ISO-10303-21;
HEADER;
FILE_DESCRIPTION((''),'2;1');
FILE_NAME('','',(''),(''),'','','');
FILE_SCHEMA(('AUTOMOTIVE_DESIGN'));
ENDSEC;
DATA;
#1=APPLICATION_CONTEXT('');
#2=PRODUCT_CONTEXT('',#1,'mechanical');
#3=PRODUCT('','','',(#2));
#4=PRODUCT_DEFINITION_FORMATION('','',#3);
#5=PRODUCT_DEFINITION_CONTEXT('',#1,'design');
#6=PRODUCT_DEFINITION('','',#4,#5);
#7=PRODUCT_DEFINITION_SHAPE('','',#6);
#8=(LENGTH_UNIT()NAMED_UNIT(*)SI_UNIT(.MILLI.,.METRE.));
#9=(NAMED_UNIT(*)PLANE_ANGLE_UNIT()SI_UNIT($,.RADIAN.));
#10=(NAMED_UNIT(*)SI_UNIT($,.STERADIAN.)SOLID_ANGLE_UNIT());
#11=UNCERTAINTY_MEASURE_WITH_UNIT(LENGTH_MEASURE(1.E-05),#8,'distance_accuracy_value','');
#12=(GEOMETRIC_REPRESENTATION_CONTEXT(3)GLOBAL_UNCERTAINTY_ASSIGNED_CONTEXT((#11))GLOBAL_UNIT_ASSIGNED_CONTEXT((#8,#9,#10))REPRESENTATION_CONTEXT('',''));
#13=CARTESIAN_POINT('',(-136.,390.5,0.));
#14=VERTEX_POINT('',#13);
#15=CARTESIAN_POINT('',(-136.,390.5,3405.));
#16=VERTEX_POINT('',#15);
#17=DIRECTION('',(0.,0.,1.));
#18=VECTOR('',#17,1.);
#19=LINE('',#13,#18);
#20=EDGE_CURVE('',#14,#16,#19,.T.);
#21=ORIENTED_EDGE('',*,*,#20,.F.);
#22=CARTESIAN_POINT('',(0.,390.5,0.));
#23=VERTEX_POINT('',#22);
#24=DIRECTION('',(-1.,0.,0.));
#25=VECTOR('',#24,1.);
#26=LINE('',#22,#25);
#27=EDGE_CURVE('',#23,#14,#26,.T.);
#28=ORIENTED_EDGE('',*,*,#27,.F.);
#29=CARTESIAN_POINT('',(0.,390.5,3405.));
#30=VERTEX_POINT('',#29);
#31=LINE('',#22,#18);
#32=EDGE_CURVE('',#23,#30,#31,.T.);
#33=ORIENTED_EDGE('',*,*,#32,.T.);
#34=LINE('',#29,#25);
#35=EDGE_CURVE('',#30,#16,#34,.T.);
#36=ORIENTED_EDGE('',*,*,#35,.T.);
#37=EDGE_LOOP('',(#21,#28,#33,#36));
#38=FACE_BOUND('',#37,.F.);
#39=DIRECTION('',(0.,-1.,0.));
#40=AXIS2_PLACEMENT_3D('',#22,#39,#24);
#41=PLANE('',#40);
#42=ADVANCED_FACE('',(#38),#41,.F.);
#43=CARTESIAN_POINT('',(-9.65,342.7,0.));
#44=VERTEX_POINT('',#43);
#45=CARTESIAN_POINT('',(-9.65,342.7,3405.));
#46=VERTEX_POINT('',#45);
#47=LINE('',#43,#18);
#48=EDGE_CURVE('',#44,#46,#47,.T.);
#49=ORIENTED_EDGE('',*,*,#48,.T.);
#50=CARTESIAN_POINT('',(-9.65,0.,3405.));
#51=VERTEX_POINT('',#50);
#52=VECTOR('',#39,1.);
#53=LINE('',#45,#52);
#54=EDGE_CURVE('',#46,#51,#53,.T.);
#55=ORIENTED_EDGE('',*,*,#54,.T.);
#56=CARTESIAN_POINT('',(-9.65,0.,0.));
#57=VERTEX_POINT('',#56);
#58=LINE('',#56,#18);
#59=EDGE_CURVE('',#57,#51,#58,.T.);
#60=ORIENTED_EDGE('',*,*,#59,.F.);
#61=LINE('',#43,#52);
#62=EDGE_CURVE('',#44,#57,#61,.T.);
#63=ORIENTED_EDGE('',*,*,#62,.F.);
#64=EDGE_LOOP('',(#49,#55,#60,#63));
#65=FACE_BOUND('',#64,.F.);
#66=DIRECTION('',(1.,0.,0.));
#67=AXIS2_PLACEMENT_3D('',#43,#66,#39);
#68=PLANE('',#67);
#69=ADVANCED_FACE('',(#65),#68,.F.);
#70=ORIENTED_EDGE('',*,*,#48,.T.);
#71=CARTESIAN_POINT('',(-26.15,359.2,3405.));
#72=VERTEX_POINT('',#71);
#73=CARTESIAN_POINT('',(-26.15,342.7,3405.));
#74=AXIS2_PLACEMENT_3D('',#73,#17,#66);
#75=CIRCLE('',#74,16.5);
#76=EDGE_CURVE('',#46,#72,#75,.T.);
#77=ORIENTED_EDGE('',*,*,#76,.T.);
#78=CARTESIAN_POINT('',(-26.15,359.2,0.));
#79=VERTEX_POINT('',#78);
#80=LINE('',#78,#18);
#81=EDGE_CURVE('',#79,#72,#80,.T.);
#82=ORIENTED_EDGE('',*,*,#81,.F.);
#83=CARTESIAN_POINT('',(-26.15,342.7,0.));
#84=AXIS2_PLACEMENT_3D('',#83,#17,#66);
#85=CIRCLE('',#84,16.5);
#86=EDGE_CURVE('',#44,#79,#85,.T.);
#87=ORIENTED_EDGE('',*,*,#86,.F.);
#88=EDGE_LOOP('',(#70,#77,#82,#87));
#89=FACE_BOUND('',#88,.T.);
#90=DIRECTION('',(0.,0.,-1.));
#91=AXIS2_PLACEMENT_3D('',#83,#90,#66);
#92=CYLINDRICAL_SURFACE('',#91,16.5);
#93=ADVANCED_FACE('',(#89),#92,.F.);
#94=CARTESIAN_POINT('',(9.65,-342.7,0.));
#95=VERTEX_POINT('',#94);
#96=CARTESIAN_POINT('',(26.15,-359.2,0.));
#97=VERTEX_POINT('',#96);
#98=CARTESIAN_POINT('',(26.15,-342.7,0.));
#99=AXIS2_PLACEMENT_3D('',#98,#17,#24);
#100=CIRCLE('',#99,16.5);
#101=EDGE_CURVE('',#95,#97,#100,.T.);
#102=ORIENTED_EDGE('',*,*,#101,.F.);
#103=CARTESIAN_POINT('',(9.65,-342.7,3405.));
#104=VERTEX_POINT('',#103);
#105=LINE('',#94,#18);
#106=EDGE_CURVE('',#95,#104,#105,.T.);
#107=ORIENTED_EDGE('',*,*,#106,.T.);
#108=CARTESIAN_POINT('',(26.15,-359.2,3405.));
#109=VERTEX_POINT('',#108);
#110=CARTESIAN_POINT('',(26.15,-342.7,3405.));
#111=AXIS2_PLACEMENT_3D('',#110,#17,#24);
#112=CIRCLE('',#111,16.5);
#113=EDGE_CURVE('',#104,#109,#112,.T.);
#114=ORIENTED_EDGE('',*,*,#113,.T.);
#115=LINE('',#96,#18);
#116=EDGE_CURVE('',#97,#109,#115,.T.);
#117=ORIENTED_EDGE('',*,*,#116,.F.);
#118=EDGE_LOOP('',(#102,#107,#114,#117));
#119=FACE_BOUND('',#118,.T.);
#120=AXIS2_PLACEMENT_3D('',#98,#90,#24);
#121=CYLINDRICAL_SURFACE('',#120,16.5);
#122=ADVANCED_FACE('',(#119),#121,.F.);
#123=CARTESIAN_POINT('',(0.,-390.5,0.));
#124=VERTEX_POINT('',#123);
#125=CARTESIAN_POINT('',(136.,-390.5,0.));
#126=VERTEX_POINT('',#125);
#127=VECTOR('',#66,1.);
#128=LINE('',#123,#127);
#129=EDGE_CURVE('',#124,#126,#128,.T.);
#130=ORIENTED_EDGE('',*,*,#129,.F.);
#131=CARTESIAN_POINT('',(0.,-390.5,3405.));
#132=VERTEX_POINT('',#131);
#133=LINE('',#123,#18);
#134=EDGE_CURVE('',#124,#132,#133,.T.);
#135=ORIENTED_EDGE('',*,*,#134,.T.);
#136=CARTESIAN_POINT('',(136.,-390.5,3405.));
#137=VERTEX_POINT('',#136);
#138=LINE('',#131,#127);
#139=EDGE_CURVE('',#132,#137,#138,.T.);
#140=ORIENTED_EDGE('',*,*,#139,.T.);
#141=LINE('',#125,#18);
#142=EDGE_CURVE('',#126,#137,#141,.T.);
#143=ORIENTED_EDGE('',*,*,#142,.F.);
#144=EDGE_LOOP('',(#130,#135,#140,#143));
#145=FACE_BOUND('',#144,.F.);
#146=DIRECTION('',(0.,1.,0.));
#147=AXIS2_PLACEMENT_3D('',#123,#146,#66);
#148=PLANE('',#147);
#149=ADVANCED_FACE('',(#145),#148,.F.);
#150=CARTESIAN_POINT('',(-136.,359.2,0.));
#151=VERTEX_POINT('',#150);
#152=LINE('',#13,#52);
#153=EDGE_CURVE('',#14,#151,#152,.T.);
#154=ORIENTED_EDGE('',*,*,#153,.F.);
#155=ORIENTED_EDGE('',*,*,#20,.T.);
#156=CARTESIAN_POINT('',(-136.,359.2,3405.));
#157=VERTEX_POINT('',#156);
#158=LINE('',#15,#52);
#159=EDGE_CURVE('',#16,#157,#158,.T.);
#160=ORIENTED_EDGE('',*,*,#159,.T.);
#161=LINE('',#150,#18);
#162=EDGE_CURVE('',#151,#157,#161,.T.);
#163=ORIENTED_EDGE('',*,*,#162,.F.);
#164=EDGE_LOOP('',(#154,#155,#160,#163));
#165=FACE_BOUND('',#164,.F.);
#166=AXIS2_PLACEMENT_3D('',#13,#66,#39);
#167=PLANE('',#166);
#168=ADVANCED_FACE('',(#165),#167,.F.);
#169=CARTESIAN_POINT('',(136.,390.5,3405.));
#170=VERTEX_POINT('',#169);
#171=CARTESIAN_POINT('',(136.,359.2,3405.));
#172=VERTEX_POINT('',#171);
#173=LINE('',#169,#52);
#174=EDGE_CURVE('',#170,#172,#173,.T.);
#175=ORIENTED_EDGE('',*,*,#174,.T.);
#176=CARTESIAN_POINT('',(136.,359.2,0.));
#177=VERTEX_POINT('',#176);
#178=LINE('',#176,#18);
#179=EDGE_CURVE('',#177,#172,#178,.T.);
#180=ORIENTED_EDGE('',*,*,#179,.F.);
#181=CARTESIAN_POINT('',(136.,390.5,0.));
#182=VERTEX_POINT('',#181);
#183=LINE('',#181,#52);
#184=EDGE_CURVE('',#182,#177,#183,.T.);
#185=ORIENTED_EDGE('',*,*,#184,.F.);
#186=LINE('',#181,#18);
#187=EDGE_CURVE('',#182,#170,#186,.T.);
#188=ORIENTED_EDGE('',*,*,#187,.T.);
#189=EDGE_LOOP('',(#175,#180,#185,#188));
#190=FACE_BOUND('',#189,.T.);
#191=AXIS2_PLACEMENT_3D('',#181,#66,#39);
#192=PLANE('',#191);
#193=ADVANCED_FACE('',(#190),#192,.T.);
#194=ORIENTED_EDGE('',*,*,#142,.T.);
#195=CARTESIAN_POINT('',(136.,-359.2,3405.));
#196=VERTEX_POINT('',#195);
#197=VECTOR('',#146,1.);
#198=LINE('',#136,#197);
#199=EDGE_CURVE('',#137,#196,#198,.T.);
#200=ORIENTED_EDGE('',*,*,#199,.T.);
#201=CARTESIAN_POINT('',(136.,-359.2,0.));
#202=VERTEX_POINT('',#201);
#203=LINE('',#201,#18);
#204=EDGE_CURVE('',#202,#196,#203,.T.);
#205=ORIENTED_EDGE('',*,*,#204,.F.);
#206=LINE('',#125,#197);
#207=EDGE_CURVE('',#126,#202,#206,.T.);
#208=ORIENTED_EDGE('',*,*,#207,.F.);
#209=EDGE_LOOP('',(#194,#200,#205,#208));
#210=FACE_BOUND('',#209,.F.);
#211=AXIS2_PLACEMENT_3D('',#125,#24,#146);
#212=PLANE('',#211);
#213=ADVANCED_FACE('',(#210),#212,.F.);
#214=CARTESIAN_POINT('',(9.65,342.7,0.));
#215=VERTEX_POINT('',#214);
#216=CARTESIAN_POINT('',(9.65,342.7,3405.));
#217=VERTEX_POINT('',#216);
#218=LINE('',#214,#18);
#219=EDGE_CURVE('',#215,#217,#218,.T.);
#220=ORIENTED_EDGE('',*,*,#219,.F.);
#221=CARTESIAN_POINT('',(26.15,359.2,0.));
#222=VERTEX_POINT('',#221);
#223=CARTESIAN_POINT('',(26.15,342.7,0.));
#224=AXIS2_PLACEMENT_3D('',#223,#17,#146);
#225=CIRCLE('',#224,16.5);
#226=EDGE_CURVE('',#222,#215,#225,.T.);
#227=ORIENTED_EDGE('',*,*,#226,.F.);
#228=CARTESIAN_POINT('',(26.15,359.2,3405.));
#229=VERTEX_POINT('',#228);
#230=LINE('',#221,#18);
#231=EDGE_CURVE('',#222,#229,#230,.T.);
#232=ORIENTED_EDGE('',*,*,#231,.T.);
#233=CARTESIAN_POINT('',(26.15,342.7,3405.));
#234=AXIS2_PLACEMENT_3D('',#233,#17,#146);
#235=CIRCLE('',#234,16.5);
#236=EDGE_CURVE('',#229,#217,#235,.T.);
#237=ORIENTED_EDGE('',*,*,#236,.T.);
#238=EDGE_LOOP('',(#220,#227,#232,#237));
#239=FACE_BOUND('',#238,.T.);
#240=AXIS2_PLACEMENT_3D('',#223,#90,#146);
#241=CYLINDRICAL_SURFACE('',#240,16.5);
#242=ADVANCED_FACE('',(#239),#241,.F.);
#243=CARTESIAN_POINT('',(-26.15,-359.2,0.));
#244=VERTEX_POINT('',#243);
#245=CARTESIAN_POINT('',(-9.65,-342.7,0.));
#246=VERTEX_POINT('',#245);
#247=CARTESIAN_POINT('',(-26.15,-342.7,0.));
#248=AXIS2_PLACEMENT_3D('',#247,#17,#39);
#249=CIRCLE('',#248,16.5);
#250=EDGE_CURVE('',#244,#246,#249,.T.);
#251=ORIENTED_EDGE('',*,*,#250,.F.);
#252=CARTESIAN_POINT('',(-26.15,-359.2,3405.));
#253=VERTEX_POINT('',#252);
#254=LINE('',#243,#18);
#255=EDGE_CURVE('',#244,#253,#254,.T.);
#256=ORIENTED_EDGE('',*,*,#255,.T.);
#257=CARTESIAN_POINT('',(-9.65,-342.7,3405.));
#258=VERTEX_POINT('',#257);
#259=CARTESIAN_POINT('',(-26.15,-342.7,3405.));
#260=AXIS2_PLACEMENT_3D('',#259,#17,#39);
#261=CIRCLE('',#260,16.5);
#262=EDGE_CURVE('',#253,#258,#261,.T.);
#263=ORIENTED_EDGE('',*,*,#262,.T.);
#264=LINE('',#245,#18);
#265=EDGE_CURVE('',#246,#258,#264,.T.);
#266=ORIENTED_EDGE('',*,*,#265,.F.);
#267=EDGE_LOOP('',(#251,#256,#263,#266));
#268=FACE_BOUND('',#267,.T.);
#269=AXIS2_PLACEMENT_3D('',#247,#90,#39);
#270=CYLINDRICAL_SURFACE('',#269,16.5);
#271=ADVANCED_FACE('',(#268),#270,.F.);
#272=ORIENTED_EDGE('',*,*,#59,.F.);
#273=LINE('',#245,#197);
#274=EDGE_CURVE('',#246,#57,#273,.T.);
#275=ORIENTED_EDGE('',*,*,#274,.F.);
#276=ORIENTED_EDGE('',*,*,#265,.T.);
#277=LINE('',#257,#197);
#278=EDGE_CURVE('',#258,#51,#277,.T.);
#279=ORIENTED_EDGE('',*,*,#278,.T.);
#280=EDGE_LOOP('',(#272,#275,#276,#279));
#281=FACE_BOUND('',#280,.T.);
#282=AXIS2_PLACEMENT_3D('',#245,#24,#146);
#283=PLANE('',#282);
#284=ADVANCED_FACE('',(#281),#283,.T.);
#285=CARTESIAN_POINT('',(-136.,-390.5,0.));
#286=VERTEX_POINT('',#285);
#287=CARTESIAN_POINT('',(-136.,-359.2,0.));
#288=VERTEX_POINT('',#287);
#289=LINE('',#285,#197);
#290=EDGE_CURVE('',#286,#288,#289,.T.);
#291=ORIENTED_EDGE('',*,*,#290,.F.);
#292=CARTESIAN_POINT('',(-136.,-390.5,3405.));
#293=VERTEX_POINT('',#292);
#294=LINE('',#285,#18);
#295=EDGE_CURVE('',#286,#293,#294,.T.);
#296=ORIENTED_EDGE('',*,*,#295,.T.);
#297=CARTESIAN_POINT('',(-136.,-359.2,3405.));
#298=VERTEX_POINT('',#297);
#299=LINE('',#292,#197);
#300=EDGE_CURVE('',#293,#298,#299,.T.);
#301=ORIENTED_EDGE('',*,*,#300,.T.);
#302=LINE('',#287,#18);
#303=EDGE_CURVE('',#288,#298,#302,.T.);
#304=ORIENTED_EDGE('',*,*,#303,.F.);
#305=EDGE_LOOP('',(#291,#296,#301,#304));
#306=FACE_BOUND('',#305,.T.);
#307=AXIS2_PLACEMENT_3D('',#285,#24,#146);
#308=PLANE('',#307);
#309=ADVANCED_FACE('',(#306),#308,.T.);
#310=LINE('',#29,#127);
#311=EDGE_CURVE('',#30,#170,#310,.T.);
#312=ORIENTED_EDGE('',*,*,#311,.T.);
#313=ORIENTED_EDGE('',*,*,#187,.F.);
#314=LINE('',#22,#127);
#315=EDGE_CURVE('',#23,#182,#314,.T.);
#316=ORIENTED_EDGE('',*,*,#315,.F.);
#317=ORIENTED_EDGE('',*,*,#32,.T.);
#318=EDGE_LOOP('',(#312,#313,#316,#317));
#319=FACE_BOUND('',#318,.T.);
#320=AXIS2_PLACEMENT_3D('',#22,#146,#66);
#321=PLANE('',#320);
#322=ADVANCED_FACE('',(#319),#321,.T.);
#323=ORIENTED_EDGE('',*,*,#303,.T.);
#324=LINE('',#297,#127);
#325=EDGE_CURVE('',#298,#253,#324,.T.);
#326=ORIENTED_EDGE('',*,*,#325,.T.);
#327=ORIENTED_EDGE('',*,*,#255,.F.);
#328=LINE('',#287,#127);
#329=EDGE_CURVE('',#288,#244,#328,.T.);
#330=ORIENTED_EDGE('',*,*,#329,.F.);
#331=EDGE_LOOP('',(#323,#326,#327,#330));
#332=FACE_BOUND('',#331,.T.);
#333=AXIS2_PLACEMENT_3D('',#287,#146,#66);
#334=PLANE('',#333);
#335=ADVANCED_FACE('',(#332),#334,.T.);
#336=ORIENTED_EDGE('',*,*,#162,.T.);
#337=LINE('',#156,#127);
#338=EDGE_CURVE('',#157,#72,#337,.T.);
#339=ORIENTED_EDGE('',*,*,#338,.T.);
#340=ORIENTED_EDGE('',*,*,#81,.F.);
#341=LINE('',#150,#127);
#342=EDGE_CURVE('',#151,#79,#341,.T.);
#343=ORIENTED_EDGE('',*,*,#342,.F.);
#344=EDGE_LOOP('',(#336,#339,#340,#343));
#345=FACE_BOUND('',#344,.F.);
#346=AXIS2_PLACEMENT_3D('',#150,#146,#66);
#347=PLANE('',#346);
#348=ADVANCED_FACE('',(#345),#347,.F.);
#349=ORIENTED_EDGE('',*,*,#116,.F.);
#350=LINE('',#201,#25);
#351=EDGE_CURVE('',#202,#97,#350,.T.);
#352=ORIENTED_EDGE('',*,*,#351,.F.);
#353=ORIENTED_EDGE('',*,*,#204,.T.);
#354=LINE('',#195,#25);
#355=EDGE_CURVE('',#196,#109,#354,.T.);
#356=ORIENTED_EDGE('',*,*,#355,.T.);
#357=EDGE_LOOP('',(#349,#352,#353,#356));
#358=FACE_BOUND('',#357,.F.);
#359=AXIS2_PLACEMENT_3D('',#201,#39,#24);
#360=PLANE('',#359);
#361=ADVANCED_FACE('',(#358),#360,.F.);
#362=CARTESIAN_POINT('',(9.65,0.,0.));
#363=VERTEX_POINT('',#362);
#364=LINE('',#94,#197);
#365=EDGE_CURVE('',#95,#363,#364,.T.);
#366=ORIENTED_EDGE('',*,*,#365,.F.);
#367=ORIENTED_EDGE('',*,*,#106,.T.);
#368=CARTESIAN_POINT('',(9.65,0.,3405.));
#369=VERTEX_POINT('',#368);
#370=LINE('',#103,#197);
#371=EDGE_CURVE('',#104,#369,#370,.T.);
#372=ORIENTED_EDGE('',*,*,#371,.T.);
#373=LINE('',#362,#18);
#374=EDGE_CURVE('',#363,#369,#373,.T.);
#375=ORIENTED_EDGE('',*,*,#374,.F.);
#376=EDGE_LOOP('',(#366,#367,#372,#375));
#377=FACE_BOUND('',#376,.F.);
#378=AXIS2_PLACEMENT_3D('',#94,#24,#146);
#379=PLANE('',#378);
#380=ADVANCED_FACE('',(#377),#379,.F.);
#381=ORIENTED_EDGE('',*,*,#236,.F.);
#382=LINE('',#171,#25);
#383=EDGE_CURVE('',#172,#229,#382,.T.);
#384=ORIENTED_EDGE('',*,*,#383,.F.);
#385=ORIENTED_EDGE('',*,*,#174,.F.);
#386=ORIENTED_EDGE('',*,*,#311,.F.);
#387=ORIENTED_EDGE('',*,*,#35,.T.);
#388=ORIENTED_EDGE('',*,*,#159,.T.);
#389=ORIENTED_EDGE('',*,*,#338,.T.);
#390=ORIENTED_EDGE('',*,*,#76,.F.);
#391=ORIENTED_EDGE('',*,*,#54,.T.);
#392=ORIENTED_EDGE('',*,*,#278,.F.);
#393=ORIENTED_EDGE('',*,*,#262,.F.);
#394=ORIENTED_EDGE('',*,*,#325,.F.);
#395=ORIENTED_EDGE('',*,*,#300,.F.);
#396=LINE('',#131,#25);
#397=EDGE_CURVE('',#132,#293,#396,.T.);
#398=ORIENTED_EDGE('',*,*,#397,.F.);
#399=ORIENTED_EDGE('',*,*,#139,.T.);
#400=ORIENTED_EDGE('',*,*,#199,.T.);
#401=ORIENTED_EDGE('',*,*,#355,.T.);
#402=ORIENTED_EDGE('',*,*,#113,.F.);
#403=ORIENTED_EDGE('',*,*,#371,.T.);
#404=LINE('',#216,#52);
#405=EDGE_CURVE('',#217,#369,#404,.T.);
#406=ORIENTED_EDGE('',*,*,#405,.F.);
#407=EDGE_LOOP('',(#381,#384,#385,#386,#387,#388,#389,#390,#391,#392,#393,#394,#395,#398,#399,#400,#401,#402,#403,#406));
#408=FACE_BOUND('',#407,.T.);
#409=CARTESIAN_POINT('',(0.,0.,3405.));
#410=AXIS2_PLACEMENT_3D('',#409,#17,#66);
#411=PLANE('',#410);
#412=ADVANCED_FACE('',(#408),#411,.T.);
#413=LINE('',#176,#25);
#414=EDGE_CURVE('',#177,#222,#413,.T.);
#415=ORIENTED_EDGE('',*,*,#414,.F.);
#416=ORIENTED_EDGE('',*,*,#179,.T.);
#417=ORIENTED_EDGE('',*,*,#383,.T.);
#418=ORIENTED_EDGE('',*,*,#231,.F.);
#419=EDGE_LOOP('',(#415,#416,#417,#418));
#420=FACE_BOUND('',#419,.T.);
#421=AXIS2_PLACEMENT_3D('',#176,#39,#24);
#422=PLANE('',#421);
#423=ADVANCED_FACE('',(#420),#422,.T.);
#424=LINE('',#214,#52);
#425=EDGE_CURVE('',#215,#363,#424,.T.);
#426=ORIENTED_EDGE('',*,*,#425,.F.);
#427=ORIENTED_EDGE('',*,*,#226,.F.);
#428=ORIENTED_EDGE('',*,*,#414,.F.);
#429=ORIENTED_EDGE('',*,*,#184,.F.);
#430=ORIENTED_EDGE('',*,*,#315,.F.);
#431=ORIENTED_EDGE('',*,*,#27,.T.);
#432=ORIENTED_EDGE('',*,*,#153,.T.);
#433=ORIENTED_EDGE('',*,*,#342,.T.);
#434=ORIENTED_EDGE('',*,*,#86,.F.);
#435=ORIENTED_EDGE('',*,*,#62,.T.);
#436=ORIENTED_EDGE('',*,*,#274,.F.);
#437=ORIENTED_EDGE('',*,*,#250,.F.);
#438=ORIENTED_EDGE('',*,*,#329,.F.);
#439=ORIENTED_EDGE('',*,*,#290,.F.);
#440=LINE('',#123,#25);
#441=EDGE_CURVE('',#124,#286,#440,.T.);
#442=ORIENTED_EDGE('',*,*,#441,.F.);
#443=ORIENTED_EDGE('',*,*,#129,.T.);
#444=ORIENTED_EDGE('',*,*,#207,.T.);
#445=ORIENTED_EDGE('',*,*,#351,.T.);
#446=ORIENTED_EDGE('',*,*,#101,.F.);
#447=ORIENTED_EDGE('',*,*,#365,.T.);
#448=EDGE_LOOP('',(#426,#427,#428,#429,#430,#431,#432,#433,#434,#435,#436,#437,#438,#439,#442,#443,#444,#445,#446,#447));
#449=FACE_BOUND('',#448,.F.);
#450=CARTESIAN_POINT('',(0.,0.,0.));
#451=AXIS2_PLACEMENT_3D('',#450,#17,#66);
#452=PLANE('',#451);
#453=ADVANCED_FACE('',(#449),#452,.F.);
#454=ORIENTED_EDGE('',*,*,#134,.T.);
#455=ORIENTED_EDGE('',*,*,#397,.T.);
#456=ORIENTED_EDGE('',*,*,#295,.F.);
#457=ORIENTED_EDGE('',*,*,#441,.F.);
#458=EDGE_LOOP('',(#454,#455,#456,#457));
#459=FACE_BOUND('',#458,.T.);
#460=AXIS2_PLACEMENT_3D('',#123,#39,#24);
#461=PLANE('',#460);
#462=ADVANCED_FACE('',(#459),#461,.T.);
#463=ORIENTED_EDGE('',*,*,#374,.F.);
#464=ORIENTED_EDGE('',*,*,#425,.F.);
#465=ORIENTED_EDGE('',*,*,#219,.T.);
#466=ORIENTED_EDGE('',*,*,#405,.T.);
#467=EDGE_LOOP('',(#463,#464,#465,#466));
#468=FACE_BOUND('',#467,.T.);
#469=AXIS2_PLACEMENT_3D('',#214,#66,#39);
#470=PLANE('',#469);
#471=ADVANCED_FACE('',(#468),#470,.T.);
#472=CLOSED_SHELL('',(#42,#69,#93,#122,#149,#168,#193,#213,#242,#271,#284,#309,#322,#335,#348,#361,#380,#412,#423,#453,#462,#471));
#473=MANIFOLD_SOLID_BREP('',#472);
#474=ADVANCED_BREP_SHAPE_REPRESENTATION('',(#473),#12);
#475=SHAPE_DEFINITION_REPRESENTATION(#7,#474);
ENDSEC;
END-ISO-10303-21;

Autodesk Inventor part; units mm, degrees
ref_plane "YZ Plane" through (0, 0, 0) normal (1, 0, 0) x (0, 1, 0)
ref_plane "Start plane" through (0, 0, 0) normal (0, 0, 1) x (1, 0, 0)
ref_plane "End plane" through (0, 0, 3405) normal (0, 0, 1) x (1, 0, 0)
sketch "Sketch" plane through (0, 0, 0) normal (0, 0, 1) x (1, 0, 0)
  line L0 (-136, -390.5) -> (-136, -359.2)
  line L1 (-136, -359.2) -> (-26.15, -359.2)
  line L2 (-9.65, -342.7) -> (-9.65, 0)
  line L3 (-9.65, 0) -> (0, 0) construction
  line L4 (0, 0) -> (0, -390.5) construction
  line L5 (0, -390.5) -> (-136, -390.5)
  line L6 (-60, 0) -> (80, 0) construction
  line L7 (0, -60) -> (0, 80) construction
  line L8 (136, -390.5) -> (136, -359.2)
  line L9 (136, -359.2) -> (26.15, -359.2)
  line L10 (9.65, -342.7) -> (9.65, 0)
  line L11 (9.65, 0) -> (0, 0) construction
  line L12 (0, -390.5) -> (136, -390.5)
  line L13 (-136, 390.5) -> (-136, 359.2)
  line L14 (-136, 359.2) -> (-26.15, 359.2)
  line L15 (-9.65, 342.7) -> (-9.65, 0)
  line L16 (0, 390.5) -> (-136, 390.5)
  line L17 (136, 390.5) -> (136, 359.2)
  line L18 (136, 359.2) -> (26.15, 359.2)
  line L19 (0, 390.5) -> (136, 390.5)
  line L20 (9.65, 342.7) -> (9.65, 0)
  arc A0 (-9.65, 342.7) -> (-26.15, 359.2) centre (-26.15, 342.7) ccw
  arc A1 (26.15, 359.2) -> (9.65, 342.7) centre (26.15, 342.7) ccw
  arc A2 (9.65, -342.7) -> (26.15, -359.2) centre (26.15, -342.7) ccw
  arc A3 (-26.15, -359.2) -> (-9.65, -342.7) centre (-26.15, -342.7) ccw
  line L21 (0, 108) -> (0, -88) construction
  line L22 (-88, 0) -> (108, 0) construction
  point P0 (-9.65, -359.2)
  point P1 (9.65, -359.2)
  point P2 (-9.65, 359.2)
  point P3 (9.65, 359.2)
  dimension "d1" = 390.5
  dimension "d2" = 31.3
  dimension "d3" = 136
  dimension "d4" = 9.65
  dimension "d10" = 16.5
extrude "Body" add sketch "Sketch" along normal up to surface (3405 mm away) from surface at 0
sketch "Sketch4" plane through (0, 0, 0) normal (0, 0, 1) x (1, 0, 0)
  line L0 (0, 0) -> (10, 0)
ref_plane "Work Plane3" through (0, 0, 0) normal (0, -1, 0) x (1, 0, 0)
sketch "Sketch5" plane through (0, 0, 0) normal (0, -1, 0) x (1, 0, 0)
  line L0 (-2, 0) -> (12, 0) projected
  line L1 (-2, 3405) -> (12, 3405) projected
  dimension "d14" = 3405
equation "\"d1\" = 0.5 * G_H"
equation "\"d2\" = G_T1"
equation "\"d3\" = 0.5 * G_W"
equation "\"d4\" = 0.5 * G_T"
equation "\"d10\" = G_IR"
equation "\"d5\" = G_L"
equation "\"G_W\" = 272"
equation "\"G_H\" = 781"
equation "\"G_T\" = 19.3"
equation "\"G_T1\" = 31.3"
equation "\"G_IR\" = 16.5"
equation "\"G_L\" = d14"
equation "\"G_OFFSET_START\" = 0"
equation "\"G_OFFSET_END\" = 0"
equation "\"d12\" = G_OFFSET_END + B_L"
equation "\"B_L\" = 3405"
properties part number "AS 3679-1990 - 760 UB - 244 - 3405" material "Steel, Mild"
